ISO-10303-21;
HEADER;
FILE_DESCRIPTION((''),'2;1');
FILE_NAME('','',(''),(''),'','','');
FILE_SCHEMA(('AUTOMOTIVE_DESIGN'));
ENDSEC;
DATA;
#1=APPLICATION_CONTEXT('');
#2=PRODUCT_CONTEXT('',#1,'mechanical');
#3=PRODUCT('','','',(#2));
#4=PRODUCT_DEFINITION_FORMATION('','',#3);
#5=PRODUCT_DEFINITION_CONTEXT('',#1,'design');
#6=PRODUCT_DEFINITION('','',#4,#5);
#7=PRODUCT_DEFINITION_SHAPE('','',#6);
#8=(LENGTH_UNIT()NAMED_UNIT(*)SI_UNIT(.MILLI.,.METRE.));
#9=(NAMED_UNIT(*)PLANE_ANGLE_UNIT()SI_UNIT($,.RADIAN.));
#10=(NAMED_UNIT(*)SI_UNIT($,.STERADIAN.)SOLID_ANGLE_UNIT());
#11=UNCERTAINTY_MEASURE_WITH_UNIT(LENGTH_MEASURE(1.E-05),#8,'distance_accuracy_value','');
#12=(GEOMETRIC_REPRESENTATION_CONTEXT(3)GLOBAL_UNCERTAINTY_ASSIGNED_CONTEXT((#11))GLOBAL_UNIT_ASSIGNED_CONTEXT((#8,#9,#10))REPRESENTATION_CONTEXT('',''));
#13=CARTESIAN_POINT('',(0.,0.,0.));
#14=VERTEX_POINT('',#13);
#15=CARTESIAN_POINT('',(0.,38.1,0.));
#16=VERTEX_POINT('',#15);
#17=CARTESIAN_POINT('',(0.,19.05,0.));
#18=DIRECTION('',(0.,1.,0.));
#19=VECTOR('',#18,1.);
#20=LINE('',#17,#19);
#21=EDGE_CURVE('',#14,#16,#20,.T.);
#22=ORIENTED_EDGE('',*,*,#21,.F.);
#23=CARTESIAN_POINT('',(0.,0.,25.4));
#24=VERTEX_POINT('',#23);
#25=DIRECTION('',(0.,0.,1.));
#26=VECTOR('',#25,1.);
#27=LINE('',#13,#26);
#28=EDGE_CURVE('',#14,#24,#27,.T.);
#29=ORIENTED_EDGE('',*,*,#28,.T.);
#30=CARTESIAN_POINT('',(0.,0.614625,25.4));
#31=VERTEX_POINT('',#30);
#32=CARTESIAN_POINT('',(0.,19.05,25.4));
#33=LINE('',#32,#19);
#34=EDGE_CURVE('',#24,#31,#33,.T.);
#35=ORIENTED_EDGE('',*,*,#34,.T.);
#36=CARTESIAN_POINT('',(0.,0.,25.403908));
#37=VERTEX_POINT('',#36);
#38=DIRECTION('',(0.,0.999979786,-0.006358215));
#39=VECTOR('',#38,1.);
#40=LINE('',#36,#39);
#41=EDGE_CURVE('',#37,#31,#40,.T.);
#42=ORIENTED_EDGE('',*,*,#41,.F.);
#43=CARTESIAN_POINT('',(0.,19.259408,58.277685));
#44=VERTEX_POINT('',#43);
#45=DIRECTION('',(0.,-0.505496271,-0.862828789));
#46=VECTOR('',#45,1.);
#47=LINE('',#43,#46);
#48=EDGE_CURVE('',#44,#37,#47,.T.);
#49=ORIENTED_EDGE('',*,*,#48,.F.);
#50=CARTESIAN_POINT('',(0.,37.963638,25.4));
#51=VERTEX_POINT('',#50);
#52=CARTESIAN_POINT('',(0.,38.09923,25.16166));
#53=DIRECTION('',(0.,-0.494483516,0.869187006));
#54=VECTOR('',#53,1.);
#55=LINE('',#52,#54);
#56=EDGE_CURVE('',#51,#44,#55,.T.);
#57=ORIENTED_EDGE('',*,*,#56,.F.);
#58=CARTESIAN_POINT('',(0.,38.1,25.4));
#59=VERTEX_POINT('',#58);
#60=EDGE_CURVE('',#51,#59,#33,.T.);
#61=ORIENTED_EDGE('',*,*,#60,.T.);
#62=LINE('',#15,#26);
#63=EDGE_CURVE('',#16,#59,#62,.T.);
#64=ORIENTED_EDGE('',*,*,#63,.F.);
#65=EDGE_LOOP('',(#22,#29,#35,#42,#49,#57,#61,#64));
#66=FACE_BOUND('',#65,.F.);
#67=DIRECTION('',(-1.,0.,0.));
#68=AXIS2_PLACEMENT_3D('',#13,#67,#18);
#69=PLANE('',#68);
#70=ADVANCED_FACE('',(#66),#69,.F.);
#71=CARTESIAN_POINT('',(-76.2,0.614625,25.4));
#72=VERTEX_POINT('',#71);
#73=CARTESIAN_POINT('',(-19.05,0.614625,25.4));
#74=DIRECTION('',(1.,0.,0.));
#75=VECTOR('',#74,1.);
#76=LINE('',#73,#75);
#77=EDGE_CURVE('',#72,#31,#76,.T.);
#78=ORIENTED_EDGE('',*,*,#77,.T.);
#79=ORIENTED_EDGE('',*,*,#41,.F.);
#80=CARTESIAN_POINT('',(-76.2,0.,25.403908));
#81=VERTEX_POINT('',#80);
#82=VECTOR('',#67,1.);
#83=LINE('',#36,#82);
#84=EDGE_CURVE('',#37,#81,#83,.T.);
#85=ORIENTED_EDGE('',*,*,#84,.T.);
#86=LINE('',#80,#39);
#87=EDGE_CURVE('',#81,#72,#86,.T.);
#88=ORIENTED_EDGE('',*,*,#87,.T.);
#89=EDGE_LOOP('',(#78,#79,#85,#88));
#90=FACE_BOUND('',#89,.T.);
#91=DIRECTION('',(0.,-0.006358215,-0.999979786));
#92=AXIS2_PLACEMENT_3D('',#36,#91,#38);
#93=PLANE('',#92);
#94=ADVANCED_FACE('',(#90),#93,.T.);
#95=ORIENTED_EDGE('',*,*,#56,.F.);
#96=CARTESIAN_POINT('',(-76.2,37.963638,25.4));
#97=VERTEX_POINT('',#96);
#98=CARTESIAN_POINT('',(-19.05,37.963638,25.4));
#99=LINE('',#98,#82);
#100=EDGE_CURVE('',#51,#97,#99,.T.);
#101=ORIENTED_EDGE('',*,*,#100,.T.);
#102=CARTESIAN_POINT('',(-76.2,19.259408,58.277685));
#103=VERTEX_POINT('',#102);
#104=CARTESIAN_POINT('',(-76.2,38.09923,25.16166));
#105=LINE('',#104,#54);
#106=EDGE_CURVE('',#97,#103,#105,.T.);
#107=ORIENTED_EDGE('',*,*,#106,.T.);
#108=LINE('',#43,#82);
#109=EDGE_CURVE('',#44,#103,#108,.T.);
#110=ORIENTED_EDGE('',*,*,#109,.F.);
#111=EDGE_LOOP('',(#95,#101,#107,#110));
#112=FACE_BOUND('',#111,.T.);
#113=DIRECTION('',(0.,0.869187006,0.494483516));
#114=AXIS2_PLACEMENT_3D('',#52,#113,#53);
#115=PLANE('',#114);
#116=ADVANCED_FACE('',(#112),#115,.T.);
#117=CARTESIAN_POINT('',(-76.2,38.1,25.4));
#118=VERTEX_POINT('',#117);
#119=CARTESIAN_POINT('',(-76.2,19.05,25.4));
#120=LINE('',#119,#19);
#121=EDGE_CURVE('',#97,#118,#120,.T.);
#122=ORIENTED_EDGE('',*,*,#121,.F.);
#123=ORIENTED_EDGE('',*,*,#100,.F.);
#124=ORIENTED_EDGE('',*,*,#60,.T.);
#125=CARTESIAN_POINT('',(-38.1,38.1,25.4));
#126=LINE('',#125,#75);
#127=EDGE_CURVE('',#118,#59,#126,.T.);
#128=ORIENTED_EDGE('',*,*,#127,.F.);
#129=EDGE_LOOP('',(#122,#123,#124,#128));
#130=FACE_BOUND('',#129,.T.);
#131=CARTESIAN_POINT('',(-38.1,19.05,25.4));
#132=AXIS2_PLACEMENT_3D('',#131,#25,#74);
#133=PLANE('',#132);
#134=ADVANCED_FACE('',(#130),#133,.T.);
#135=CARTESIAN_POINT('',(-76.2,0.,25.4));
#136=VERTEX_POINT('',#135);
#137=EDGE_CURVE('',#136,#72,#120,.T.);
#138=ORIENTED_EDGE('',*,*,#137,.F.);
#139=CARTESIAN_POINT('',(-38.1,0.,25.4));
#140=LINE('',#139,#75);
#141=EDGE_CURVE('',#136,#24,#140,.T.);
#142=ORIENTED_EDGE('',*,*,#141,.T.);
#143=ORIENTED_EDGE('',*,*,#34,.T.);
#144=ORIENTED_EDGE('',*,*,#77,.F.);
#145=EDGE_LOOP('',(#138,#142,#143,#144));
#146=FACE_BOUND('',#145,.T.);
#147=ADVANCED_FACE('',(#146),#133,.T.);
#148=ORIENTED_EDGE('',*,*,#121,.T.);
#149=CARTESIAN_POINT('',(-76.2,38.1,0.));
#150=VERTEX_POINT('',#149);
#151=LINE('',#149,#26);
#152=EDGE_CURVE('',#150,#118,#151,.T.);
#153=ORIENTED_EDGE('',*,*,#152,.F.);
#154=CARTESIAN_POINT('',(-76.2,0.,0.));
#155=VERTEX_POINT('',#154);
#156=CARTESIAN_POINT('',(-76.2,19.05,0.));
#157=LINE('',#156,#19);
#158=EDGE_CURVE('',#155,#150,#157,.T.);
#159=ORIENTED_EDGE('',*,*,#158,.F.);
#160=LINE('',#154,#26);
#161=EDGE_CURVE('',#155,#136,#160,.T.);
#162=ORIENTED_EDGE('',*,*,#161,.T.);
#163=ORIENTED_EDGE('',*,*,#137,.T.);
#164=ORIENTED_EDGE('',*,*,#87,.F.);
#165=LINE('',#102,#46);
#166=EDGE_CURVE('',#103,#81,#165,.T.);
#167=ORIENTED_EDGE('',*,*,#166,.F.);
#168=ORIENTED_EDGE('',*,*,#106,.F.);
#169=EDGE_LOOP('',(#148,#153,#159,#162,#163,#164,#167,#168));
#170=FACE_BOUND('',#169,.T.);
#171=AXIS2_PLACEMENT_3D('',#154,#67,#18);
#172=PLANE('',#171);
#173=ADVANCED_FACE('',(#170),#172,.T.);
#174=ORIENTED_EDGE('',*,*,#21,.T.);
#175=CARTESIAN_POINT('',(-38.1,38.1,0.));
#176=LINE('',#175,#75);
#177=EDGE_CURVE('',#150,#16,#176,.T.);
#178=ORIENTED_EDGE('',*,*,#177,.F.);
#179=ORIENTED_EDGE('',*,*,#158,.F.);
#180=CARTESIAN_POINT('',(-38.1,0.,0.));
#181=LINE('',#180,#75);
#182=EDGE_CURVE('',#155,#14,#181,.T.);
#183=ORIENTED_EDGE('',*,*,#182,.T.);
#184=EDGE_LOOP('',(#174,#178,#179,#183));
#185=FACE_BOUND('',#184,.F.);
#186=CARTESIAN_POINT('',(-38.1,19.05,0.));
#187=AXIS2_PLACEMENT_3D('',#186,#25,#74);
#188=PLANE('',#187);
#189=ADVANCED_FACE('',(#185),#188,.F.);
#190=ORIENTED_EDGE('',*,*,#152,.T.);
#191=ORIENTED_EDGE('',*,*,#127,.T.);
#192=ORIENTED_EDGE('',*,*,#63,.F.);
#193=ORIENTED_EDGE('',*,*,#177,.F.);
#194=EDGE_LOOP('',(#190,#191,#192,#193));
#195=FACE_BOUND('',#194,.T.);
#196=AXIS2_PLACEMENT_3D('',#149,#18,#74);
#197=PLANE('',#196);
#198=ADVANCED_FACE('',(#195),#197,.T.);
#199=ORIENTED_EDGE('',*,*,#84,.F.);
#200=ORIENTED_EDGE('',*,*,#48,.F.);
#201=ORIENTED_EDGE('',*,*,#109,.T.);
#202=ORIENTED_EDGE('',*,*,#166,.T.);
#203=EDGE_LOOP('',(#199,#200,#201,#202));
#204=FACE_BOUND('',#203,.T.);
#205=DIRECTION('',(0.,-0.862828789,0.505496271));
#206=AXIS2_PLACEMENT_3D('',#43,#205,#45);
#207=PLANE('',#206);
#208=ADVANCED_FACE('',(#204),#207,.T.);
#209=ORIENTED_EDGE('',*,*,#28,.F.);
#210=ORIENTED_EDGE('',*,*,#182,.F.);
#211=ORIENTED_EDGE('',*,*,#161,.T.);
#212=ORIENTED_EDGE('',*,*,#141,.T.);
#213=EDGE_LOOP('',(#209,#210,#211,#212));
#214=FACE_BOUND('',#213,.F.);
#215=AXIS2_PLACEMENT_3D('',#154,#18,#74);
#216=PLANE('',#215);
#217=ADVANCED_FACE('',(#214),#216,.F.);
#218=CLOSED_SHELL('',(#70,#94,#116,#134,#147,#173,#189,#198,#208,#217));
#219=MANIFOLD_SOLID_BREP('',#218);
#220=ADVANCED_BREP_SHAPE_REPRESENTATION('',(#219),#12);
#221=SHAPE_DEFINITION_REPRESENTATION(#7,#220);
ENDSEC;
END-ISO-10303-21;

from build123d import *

# Parameters (mm, degrees)
F0_W     = 76.2
F0_H     = 38.1
F1_DEPTH = 25.4
F3_DEPTH = 76.2


with BuildPart() as f1:
    # F0 (on Top) → F1 (new body)
    with BuildSketch(Plane.XY):
        with Locations((-38.1, 19.05)):
            Rectangle(F0_W, F0_H)
    extrude(amount=F1_DEPTH)

    # F2 (on Right) → F3 (join)
    with BuildSketch(Plane.YZ):
        Polygon((38.09923, 25.16166), (19.259408, 58.277685), (0, 25.403908), align=None)
    extrude(amount=-F3_DEPTH)


solid = f1.part
